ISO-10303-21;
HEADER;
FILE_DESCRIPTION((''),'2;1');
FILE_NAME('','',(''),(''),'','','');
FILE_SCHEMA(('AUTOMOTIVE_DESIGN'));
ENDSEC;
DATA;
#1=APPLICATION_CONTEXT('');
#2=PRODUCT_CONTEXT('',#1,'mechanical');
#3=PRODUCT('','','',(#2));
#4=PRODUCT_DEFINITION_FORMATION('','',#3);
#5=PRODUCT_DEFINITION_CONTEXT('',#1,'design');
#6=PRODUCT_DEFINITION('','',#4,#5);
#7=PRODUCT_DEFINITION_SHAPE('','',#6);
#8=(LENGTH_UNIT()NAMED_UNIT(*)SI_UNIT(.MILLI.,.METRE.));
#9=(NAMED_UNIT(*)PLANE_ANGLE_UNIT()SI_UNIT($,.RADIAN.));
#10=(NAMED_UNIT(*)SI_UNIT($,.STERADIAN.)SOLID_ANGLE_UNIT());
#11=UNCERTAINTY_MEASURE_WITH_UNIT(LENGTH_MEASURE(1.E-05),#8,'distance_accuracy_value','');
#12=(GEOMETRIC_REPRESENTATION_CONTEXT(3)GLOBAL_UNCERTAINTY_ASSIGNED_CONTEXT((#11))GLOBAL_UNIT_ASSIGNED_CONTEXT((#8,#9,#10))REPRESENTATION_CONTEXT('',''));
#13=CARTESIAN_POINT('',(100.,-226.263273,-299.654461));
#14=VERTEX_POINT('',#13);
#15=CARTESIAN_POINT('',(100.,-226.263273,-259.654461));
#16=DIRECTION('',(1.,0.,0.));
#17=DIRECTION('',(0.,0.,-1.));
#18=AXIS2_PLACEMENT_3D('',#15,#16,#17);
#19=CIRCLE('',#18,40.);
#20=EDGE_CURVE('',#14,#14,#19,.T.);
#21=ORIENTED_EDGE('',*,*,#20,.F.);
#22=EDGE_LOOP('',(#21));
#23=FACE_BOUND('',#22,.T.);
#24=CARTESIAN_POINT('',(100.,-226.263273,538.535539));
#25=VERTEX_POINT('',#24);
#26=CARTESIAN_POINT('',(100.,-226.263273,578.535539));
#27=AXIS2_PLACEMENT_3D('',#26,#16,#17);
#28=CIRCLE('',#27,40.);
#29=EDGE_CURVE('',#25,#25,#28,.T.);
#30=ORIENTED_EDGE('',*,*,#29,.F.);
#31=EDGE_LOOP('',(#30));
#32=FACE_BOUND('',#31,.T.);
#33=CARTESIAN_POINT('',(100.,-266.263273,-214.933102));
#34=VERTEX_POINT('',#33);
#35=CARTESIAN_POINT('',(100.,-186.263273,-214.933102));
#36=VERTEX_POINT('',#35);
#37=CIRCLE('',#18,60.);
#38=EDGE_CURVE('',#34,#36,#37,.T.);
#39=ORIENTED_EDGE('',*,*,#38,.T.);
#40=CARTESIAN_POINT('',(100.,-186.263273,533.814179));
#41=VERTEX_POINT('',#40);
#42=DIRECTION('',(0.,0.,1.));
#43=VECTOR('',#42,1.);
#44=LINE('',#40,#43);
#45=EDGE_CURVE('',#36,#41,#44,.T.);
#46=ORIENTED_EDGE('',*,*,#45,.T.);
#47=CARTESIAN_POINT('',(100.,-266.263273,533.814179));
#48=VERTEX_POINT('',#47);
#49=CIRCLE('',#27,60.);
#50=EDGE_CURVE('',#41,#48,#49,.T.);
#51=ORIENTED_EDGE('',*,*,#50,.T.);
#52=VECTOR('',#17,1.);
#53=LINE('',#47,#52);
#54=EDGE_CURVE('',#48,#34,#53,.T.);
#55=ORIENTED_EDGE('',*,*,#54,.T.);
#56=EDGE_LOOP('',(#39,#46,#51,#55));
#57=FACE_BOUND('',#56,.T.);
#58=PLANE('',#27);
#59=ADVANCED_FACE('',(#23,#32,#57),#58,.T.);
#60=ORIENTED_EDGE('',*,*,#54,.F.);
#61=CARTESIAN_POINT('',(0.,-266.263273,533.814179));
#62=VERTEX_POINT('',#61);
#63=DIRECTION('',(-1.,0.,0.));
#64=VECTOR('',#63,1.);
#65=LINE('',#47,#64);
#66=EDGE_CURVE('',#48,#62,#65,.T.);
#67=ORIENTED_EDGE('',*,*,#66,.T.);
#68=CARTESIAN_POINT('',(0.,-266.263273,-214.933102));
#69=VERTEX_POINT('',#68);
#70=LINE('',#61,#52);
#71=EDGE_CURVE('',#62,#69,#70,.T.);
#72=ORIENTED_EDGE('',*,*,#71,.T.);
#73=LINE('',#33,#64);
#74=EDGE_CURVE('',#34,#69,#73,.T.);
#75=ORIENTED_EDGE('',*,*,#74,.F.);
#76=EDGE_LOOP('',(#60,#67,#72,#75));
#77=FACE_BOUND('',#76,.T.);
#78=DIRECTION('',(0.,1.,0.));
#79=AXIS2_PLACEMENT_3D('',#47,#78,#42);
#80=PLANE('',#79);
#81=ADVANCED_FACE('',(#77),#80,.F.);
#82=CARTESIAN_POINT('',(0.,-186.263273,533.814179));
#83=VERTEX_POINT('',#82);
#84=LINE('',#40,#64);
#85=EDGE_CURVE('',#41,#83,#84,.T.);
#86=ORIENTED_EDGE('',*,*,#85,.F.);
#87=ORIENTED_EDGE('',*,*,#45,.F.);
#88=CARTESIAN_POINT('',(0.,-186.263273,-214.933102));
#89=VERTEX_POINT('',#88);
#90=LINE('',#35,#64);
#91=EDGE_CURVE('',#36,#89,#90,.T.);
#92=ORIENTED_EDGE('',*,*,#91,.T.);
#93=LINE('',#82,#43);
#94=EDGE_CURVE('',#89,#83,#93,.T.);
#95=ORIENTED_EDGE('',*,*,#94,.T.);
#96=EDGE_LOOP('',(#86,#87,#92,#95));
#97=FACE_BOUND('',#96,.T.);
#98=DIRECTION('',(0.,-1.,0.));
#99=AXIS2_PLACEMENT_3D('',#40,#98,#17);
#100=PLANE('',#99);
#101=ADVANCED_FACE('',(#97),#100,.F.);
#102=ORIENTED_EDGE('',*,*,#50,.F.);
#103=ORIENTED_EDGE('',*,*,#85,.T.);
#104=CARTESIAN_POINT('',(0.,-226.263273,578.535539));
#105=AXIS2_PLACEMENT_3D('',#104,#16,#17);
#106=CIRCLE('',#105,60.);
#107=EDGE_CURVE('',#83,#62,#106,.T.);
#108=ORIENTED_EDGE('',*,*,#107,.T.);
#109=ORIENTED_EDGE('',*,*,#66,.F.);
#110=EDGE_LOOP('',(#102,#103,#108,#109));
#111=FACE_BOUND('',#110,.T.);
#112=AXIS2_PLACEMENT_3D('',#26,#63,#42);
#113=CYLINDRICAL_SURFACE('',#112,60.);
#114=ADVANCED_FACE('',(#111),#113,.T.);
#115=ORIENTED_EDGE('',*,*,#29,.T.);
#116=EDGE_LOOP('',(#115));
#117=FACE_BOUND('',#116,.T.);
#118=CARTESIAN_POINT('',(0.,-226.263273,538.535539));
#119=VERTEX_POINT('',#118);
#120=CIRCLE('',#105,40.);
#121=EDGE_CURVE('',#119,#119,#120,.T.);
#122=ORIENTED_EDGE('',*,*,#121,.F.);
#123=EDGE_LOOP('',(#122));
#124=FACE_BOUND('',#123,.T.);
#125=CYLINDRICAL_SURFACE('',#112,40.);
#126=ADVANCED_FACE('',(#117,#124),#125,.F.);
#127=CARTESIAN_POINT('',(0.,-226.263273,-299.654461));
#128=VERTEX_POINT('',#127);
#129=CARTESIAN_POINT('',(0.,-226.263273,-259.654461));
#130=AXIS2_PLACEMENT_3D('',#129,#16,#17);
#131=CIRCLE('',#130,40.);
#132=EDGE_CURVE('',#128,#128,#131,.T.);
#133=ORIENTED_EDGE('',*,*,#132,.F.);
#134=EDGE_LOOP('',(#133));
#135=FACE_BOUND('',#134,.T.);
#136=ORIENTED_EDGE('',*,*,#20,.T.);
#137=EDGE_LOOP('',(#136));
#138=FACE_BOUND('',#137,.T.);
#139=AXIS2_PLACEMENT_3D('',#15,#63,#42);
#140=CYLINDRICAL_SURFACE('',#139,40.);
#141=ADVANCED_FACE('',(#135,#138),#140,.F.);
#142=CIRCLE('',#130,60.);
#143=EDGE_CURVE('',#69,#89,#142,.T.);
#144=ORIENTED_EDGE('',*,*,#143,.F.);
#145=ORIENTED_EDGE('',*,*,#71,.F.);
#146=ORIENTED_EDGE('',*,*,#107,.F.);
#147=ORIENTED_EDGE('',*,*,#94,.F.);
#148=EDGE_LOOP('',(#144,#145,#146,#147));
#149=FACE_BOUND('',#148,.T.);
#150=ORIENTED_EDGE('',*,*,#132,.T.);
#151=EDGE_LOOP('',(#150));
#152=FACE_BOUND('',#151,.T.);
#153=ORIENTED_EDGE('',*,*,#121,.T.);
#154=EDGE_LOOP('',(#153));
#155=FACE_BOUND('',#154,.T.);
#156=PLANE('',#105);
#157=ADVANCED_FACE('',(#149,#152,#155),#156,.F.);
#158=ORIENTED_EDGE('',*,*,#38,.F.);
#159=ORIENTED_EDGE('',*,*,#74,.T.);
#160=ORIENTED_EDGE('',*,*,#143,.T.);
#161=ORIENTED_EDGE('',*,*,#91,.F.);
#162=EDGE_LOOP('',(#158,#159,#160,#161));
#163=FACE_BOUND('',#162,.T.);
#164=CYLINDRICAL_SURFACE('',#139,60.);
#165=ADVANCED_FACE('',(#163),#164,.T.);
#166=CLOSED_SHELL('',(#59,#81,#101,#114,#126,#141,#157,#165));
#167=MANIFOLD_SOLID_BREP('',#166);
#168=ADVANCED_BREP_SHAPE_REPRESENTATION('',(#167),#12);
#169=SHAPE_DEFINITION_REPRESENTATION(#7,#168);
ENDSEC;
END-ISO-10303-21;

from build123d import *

# Parameters (mm, degrees)
LINKFRAME_R         = 40
BOSS_EXTRUDE1_DEPTH = 100


with BuildPart() as part:
    # LinkFrame → Boss-Extrude1 (new body)
    with BuildSketch(Plane(origin=(0, 0, 0), x_dir=(0, 0, -1), z_dir=(1, 0, 0))):
        with BuildLine():
            Line((-533.81417903, -186.263273145), (214.93310187, -186.263273145))
            ThreePointArc((214.93310187, -186.263273145), (319.65446142, -226.263273145), (214.93310187, -266.263273145))
            Line((214.93310187, -266.263273145), (-533.81417903, -266.263273145))
            ThreePointArc((-533.81417903, -266.263273145), (-638.53553858, -226.263273145), (-533.81417903, -186.263273145))
        make_face()
        with Locations((-578.53553858, -226.263273145)):
            Circle(LINKFRAME_R, mode=Mode.SUBTRACT)
        with Locations((259.65446142, -226.263273145)):
            Circle(LINKFRAME_R, mode=Mode.SUBTRACT)
    extrude(amount=BOSS_EXTRUDE1_DEPTH)


solid = part.part
